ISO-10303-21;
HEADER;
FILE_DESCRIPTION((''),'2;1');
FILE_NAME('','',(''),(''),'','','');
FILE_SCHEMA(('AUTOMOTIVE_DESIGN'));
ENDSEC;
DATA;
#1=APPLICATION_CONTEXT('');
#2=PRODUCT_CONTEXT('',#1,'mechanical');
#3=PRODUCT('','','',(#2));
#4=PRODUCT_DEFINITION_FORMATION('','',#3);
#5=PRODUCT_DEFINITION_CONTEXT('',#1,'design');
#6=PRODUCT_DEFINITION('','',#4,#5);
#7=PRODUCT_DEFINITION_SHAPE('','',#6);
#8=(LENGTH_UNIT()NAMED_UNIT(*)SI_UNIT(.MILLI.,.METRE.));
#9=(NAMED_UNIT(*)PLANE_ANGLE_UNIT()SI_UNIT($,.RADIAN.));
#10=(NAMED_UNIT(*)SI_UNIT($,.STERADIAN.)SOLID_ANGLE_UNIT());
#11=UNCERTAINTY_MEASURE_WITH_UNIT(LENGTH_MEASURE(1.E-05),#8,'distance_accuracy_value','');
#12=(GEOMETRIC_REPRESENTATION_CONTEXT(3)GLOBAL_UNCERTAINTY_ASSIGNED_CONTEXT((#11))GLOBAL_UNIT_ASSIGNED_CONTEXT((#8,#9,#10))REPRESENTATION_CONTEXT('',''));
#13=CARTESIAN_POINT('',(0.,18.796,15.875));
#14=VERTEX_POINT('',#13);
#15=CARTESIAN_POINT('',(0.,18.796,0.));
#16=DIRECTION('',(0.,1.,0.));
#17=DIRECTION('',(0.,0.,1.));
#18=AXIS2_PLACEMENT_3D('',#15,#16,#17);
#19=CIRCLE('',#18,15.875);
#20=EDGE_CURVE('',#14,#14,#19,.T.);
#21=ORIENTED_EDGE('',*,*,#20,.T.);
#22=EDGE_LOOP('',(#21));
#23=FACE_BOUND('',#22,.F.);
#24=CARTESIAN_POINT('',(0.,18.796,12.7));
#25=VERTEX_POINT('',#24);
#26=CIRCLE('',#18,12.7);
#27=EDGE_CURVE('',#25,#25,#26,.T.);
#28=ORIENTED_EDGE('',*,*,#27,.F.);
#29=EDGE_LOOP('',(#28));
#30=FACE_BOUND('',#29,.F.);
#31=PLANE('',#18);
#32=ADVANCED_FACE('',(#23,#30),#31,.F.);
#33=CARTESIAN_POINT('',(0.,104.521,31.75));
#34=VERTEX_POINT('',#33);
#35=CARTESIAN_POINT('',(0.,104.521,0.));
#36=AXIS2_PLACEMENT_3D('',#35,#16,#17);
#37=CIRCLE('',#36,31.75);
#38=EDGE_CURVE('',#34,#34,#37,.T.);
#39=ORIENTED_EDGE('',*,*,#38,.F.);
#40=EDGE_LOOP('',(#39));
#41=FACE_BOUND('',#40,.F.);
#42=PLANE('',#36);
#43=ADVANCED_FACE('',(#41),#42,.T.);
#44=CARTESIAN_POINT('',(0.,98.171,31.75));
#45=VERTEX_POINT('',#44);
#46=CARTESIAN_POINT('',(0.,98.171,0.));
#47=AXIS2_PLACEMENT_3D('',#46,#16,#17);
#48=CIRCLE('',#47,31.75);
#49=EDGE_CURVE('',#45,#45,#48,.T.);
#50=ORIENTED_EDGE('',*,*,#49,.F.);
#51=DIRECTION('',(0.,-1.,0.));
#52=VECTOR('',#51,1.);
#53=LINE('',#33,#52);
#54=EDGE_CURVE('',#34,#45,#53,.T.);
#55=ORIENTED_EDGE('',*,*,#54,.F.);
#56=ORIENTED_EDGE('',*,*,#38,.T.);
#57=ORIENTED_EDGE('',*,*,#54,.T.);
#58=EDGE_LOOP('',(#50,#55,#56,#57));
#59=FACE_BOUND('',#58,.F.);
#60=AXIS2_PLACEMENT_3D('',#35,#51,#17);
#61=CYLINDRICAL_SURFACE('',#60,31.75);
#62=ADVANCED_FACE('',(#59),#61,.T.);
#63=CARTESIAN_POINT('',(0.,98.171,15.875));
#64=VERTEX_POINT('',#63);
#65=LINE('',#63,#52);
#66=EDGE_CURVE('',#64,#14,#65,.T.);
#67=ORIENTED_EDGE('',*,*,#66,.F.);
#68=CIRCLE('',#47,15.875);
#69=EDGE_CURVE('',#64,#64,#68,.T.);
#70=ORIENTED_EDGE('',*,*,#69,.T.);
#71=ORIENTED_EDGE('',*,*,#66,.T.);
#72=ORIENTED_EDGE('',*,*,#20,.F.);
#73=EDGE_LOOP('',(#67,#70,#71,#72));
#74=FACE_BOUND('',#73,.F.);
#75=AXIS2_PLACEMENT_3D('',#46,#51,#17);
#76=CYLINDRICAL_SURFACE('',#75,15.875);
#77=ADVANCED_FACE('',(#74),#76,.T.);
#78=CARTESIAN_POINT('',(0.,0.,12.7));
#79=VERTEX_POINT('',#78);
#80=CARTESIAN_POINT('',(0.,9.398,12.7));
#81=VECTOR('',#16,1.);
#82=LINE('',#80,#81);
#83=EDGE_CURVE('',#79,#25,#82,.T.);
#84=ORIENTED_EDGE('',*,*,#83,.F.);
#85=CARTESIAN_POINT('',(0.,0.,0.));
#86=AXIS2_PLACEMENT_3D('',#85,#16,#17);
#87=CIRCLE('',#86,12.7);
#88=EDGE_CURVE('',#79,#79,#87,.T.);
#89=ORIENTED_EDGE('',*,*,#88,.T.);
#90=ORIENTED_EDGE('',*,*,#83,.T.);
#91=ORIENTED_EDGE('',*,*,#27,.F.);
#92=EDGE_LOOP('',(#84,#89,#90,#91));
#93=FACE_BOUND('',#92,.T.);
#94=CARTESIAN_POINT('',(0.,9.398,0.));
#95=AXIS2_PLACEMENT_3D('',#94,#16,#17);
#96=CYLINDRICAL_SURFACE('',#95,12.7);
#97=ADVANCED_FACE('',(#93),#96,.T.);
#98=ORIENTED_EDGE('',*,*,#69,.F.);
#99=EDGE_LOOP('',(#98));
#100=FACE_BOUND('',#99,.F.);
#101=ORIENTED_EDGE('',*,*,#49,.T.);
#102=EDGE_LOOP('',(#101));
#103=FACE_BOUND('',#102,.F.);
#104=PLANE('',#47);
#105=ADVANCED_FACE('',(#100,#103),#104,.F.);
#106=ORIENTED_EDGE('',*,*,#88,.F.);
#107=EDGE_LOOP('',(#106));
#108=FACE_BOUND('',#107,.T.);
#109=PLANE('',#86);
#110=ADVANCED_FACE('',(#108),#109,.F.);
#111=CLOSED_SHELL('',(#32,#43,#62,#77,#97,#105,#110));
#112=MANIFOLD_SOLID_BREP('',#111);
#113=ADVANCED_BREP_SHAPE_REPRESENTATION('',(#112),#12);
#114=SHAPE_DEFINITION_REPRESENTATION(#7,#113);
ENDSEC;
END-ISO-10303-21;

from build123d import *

# Parameters (mm, degrees)
F0_W = 18.796
F0_H = 12.7


with BuildPart() as f1:
    # F0 (on Right) → F1 (revolve)
    with BuildSketch(Plane.YZ):
        with Locations((9.398, 6.35)):
            Rectangle(F0_W, F0_H)
        Polygon((18.796, 12.7), (18.796, 0), (98.171, 0), (98.171, 15.875), (18.796, 15.875), align=None)
        Polygon((98.171, 15.875), (98.171, 0), (104.521, 0), (104.521, 31.75), (98.171, 31.75), align=None)
    revolve(axis=Axis((0, 58.4835, 0), (0, 1, 0)))


solid = f1.part
